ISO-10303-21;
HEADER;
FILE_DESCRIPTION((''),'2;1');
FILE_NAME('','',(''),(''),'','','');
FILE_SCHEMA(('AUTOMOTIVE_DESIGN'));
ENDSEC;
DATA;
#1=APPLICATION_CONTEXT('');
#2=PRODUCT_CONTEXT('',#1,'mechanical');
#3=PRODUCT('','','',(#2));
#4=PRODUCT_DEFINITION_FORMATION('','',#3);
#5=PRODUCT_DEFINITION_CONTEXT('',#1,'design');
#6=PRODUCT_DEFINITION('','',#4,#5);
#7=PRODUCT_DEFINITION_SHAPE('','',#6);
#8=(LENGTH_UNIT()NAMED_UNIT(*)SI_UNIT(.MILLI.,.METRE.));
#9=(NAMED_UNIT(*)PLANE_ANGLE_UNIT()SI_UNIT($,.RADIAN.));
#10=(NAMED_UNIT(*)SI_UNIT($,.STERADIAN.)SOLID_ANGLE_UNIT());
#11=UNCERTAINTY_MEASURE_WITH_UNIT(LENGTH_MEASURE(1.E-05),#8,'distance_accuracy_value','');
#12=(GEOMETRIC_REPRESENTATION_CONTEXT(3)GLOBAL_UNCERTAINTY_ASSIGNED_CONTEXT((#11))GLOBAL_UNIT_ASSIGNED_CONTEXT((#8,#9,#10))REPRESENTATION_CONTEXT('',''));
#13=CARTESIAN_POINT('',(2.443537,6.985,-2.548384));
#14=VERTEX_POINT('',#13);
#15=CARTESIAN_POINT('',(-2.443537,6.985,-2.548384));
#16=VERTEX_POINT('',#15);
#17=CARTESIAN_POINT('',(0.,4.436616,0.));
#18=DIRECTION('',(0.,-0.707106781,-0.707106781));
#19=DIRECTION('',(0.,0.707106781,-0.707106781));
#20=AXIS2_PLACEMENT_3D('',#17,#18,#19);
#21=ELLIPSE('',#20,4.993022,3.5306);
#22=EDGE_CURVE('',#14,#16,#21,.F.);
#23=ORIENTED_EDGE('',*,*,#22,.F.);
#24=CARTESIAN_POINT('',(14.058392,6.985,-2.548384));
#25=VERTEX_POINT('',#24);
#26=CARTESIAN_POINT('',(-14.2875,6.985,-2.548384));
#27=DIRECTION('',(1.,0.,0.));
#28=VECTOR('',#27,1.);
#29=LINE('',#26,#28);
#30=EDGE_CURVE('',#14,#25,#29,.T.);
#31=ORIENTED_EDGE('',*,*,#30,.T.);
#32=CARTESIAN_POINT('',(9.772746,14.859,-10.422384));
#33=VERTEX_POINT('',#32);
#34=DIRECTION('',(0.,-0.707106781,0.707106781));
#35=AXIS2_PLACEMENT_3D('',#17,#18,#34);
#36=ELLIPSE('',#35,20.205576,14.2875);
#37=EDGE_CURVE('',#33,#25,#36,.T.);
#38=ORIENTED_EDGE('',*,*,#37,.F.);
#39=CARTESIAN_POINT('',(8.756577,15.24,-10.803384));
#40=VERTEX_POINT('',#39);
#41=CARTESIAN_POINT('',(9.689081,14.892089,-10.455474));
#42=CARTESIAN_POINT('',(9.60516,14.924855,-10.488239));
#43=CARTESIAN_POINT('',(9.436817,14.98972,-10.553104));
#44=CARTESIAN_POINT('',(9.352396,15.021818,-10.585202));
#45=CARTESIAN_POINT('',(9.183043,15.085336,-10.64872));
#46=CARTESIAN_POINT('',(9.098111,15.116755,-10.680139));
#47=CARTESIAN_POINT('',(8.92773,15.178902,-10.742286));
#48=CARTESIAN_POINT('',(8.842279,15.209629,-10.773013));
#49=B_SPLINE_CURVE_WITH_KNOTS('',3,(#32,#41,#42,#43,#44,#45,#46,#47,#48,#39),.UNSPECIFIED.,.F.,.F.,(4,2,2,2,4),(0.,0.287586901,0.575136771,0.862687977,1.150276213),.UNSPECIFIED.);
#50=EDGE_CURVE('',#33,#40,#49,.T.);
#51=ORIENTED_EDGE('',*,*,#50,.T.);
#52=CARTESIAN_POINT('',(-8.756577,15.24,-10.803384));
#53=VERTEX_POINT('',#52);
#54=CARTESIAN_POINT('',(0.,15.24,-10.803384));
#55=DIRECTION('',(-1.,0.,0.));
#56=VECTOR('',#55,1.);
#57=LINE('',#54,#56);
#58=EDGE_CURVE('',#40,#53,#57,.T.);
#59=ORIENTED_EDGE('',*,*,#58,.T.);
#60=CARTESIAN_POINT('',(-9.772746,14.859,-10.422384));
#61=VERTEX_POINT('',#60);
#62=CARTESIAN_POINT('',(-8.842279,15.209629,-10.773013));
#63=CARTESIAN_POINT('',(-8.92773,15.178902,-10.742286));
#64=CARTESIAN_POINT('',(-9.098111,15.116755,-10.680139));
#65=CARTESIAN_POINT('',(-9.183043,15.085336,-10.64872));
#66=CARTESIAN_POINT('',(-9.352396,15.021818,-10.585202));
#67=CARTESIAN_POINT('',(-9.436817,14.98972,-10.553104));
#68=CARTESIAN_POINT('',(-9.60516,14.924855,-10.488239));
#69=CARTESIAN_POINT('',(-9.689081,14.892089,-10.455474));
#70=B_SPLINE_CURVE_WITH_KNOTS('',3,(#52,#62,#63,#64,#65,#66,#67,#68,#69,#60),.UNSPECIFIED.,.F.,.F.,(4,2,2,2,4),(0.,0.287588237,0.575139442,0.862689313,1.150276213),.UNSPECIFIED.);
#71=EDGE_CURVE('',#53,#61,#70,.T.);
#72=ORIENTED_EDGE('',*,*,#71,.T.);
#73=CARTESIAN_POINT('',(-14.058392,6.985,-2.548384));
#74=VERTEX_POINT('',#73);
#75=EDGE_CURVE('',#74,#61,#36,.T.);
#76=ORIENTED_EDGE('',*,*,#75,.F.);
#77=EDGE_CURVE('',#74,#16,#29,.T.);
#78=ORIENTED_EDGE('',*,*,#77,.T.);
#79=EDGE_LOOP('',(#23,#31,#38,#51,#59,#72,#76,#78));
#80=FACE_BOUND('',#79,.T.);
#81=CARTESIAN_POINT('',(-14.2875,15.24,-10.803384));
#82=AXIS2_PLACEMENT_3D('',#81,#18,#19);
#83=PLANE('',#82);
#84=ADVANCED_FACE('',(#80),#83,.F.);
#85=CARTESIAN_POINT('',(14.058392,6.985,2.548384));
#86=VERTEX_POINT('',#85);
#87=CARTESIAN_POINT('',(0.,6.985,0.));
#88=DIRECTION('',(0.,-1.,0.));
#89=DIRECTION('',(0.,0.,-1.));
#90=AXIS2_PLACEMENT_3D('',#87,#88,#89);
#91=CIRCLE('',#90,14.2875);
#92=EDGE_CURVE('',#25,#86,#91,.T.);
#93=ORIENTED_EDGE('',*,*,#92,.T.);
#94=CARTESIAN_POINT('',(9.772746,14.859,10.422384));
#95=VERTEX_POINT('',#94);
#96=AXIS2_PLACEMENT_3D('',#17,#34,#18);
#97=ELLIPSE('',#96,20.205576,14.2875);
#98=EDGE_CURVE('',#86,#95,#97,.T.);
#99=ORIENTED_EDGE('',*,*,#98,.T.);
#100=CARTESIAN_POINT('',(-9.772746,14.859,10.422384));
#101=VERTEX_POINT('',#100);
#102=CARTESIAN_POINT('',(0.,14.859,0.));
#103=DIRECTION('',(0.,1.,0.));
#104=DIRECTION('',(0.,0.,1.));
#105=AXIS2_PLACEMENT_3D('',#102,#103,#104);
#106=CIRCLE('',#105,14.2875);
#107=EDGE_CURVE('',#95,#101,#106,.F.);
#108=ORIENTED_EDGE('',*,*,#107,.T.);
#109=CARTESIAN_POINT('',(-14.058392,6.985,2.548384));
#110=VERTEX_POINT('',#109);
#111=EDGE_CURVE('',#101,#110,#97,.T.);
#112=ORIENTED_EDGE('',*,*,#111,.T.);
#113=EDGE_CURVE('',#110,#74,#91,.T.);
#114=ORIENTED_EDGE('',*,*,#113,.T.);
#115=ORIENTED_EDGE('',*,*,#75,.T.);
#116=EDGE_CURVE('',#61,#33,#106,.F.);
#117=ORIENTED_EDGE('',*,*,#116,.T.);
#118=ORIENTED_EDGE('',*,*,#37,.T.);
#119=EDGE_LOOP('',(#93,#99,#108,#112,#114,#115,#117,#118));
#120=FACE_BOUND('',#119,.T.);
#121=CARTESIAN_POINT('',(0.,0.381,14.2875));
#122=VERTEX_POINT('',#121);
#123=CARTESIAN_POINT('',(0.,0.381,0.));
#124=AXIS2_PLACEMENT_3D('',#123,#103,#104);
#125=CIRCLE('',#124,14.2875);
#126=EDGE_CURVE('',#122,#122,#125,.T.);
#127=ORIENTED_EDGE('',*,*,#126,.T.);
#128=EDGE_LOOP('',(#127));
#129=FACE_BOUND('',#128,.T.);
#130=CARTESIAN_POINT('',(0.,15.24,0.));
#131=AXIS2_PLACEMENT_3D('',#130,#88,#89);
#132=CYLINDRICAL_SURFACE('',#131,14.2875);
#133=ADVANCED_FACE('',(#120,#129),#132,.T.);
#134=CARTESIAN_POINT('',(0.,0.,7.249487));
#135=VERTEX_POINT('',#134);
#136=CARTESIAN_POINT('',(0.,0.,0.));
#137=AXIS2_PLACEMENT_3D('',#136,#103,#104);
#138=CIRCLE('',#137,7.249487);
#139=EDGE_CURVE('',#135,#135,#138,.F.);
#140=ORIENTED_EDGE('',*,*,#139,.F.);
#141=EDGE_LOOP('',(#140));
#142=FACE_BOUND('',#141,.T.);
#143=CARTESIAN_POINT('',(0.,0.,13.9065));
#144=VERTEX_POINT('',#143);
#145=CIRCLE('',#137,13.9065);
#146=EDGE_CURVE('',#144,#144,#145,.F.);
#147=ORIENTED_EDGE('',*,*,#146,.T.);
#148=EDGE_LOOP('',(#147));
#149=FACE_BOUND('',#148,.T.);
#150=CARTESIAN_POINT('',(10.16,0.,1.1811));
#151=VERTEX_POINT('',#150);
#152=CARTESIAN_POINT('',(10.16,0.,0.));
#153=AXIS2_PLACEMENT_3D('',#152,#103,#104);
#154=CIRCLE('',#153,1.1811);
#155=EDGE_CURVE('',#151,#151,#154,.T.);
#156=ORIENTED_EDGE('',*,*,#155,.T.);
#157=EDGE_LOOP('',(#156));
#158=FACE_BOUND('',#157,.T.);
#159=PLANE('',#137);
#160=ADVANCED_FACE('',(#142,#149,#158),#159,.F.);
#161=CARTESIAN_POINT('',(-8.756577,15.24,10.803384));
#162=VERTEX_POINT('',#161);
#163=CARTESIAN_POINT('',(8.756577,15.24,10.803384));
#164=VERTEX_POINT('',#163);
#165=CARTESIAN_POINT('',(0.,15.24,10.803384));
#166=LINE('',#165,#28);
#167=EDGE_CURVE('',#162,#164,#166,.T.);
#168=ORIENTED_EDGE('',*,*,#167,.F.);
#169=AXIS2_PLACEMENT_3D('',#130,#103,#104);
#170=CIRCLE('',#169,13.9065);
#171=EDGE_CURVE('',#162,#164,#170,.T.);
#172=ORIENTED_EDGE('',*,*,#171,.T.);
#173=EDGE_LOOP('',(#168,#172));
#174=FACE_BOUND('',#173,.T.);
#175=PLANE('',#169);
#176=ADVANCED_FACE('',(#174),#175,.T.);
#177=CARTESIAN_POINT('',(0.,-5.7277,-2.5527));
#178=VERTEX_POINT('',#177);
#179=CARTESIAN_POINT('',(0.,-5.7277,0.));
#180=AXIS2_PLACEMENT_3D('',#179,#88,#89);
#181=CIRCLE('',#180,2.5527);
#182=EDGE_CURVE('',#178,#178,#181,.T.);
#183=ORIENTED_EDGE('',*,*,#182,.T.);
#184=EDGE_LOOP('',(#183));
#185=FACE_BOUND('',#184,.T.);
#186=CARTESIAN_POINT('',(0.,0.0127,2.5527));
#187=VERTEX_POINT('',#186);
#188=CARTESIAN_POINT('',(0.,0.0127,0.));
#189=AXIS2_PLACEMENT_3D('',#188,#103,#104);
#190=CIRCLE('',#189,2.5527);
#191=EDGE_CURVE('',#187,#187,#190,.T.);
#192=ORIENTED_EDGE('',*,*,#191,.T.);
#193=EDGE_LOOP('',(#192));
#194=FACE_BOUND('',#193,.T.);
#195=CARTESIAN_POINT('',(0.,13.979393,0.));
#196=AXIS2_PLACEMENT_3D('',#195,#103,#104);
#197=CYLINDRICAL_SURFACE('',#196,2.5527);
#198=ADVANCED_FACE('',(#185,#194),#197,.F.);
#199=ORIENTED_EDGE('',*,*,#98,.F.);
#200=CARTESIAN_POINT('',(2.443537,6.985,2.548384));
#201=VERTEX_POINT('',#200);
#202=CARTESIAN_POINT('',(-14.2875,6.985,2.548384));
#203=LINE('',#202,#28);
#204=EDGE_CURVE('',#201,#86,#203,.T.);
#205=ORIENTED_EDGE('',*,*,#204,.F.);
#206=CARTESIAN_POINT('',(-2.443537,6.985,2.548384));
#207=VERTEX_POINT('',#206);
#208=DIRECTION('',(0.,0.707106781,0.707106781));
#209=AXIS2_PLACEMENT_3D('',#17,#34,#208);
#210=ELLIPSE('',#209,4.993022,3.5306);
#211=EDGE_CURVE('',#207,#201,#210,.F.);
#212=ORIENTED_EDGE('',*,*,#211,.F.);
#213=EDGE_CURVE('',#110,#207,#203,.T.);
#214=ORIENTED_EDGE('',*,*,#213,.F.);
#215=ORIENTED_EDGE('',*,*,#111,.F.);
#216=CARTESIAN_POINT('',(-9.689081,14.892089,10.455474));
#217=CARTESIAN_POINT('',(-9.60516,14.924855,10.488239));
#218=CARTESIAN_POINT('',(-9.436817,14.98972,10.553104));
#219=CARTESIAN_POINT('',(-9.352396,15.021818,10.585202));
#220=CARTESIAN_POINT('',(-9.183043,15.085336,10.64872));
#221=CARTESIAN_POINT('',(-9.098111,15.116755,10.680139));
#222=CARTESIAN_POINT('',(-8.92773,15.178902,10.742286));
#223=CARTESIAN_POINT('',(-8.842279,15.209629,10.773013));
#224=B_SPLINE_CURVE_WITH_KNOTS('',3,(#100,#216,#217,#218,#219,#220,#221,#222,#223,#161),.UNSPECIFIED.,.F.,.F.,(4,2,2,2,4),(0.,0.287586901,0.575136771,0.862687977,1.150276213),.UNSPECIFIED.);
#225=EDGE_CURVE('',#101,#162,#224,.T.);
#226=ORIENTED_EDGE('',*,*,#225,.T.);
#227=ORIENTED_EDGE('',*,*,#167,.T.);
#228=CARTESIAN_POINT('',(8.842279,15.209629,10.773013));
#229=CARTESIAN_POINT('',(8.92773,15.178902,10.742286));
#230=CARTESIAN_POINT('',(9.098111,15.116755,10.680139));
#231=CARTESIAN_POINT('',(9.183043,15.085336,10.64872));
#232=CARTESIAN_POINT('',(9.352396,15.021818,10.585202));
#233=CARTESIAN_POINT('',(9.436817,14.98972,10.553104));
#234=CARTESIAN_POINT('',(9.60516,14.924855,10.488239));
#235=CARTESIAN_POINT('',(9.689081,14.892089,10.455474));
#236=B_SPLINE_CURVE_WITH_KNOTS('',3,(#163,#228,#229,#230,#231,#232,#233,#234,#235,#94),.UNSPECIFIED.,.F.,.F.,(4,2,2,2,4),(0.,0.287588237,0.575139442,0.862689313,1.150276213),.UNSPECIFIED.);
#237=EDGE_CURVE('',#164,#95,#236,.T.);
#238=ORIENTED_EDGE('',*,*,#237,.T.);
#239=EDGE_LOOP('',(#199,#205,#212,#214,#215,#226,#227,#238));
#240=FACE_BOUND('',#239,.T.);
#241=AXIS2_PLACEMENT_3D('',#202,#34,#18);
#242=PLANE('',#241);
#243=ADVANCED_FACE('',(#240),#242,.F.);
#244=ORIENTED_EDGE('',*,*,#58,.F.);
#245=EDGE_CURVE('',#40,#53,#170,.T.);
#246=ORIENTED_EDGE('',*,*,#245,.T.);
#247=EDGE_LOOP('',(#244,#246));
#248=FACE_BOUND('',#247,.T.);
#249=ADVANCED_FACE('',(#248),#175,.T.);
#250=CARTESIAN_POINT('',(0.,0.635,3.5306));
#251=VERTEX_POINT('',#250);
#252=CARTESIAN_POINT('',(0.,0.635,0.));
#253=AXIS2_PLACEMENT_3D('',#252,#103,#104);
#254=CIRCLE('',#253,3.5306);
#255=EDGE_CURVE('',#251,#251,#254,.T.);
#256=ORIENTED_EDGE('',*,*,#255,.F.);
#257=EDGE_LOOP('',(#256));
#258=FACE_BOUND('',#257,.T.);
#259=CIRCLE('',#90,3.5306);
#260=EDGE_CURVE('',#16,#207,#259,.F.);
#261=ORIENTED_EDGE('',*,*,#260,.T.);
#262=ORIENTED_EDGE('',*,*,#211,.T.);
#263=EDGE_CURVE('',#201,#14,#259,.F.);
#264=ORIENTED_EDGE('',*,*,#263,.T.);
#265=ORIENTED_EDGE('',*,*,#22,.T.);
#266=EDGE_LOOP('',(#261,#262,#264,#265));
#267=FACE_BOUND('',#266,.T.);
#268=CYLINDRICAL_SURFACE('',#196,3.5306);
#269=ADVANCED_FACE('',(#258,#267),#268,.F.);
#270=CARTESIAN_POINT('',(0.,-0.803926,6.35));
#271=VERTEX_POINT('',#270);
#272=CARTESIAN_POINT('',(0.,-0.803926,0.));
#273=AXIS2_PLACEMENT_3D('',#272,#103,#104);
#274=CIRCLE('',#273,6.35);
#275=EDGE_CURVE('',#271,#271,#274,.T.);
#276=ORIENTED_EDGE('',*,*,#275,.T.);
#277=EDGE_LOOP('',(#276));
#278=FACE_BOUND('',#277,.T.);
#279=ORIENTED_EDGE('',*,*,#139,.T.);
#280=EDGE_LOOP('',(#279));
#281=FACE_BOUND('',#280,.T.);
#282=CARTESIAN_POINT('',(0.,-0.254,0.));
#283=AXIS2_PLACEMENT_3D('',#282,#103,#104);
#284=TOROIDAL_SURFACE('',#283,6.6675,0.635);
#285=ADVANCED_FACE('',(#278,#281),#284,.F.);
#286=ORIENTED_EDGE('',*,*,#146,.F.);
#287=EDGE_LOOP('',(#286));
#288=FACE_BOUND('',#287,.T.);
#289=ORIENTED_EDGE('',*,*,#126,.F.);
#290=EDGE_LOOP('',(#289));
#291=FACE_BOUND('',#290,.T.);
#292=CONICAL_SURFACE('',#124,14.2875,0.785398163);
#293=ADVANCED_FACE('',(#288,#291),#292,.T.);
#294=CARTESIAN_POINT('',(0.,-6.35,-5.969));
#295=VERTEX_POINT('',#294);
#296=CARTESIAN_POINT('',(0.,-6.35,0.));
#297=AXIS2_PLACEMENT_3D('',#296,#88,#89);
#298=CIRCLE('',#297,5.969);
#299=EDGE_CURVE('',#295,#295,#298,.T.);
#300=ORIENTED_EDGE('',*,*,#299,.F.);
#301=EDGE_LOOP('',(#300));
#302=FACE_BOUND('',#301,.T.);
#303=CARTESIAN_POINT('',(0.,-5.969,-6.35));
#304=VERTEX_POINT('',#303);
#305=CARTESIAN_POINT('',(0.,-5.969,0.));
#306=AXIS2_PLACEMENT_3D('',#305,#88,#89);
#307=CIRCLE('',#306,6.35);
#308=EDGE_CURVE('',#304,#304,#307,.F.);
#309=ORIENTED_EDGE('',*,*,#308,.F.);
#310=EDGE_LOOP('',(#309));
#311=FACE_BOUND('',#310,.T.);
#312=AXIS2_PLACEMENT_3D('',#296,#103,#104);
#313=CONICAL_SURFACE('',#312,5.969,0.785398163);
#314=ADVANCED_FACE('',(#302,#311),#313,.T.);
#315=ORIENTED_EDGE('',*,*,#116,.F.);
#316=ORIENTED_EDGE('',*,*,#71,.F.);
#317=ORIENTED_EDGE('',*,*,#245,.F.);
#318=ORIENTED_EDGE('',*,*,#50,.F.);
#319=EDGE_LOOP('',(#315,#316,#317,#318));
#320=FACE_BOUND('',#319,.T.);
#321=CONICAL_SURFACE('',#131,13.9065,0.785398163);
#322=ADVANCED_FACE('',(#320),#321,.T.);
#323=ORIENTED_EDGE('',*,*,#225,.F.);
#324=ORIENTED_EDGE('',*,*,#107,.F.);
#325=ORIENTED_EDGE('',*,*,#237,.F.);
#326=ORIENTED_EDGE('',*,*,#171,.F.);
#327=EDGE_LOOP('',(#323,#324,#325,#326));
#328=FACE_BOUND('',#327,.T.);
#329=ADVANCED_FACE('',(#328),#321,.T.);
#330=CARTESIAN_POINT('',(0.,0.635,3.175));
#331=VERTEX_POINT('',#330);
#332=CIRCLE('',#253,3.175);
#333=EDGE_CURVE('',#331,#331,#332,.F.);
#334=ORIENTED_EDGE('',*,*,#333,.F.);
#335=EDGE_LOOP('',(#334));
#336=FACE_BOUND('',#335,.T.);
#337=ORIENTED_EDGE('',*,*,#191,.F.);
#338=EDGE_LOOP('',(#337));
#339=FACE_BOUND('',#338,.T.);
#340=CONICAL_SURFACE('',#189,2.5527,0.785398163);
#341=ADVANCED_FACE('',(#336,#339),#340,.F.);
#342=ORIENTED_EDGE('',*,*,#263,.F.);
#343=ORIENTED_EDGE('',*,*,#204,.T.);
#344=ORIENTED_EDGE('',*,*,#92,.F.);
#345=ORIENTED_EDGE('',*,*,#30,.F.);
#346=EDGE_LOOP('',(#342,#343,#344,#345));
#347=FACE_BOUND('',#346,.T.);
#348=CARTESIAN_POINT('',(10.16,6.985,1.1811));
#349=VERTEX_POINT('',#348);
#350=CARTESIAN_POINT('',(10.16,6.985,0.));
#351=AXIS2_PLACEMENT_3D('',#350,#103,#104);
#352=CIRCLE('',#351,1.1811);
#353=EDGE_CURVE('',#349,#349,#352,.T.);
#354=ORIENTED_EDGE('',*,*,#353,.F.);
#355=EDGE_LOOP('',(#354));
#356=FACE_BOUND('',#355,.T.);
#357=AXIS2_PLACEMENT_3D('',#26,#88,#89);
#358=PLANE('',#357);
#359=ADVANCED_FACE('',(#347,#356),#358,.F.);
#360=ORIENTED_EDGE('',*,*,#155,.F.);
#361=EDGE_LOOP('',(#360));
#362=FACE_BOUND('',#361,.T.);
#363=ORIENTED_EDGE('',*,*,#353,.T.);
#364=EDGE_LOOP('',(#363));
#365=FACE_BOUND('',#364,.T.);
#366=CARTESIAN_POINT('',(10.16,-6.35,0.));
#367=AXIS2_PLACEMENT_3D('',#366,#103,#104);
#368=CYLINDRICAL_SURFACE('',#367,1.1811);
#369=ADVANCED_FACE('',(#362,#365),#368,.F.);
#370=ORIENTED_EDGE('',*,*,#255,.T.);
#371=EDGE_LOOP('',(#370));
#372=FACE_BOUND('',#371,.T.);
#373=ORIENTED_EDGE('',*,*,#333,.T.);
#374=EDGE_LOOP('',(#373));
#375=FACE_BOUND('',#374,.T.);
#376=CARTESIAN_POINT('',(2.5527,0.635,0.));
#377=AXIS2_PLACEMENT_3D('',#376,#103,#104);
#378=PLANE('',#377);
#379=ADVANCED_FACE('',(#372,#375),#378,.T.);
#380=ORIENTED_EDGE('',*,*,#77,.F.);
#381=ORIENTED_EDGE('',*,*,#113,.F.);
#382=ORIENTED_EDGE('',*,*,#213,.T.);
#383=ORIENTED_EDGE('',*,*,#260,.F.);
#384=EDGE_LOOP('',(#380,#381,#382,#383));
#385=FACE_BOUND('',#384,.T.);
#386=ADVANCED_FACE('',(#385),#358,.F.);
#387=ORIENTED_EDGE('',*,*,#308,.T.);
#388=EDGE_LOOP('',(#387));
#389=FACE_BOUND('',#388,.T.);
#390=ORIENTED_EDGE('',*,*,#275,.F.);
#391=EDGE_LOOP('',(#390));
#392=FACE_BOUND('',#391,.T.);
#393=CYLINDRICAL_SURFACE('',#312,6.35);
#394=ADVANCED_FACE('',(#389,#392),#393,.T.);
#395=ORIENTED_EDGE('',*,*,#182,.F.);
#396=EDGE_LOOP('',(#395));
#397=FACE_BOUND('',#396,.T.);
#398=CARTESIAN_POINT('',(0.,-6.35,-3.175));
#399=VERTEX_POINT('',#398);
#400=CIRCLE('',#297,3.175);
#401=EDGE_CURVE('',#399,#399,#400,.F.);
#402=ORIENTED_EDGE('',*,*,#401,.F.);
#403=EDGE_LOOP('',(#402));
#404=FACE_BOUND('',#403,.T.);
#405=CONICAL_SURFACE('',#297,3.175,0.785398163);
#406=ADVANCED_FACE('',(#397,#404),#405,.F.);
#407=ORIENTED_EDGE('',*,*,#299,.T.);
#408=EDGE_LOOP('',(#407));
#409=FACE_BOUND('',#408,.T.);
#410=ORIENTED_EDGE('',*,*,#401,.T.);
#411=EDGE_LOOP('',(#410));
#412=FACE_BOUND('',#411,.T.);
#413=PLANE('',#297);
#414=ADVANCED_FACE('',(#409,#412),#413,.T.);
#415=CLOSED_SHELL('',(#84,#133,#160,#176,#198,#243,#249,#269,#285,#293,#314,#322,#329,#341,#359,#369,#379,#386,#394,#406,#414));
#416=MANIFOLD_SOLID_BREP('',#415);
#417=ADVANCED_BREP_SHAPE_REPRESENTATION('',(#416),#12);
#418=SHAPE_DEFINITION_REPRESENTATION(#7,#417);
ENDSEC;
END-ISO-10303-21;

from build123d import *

# Parameters (mm, degrees)
SKETCH1_R               = 14.2875
EXTRUDE1_DEPTH          = 15.24
CUT_EXTRUDE1_DEPTH      = 15.2875
CUT_EXTRUDE1_DEPTH_BACK = 15.2875
SKETCH6_R               = 6.35
EXTRUDE2_DEPTH          = 6.35
CHAMFER1_SIZE           = 0.6223
CHAMFER2_SIZE           = 0.381
SKETCH8_R               = 0.635
SKETCH9_R               = 1.1811
CUT_EXTRUDE2_DEPTH      = 14.335


with BuildPart() as part:
    # Sketch1 → Extrude1 (new body)
    with BuildSketch(Plane(origin=(0, 0, 0), x_dir=(1, 0, 0), z_dir=(0, 1, 0))):
        with Locations(Location((0, 0, 0), (0, 0, 270))):  # turned: the seam where the file's is
            Circle(SKETCH1_R)
    extrude(amount=EXTRUDE1_DEPTH)

    # Sketch3 → Cut-Extrude1 (cut, two sides)
    with BuildSketch(Plane(origin=(0, 0, 0), x_dir=(0, 0, -1), z_dir=(1, 0, 0))) as cut_extrude1_sk:
        Polygon((-10.803384182, 15.24), (10.803384182, 15.24), (2.548384182, 6.985), (-2.548384182, 6.985), align=None)
    extrude(amount=CUT_EXTRUDE1_DEPTH, mode=Mode.SUBTRACT)
    extrude(cut_extrude1_sk.sketch, amount=-CUT_EXTRUDE1_DEPTH_BACK, mode=Mode.SUBTRACT)

    # Sketch6 → Extrude2 (add)
    with BuildSketch(Plane.XZ):
        with Locations(Location((0, 0, 0), (0, 0, 90))):  # turned: the seam where the file's is
            Circle(SKETCH6_R)
    extrude(amount=EXTRUDE2_DEPTH)

    # Sketch7 → Cut-Revolve1 (revolve, cut)
    with BuildSketch(Plane.XY, mode=Mode.PRIVATE) as cut_revolve1_sk:
        Polygon((0, -6.35), (2.5527, -6.35), (2.5527, 0.635), (3.5306, 0.635), (3.5306, 6.985), (3.5306, 15.24), (0, 15.24), (0, 6.985), align=None)
    revolve(cut_revolve1_sk.sketch.rotate(Axis((0, 13.979393491, 0), (0, -1, 0)), 90), axis=Axis((0, 13.979393491, 0), (0, -1, 0)), mode=Mode.SUBTRACT)  # turned: the seam where the file's is

    # Chamfer1
    chamfer1_edges = [part.edges().sort_by_distance(p)[0] for p in [
        (0, -6.35, -2.5527),
        (0, 0.635, -2.5527),
    ]]
    chamfer(chamfer1_edges, length=CHAMFER1_SIZE)

    # Chamfer2
    chamfer2_edges = [part.edges().sort_by_distance(p)[0] for p in [
        (0, 15.24, -14.2875),
        (-4.988953034, 15.24, 13.388166561),
        (0, 0, -14.2875),
        (0, -6.35, -6.35),
    ]]
    chamfer(chamfer2_edges, length=CHAMFER2_SIZE)

    # Sketch8 → Cut-Revolve2 (revolve, cut)
    with BuildSketch(Plane.XY, mode=Mode.PRIVATE) as cut_revolve2_sk:
        with Locations((6.6675, -0.254)):
            Circle(SKETCH8_R)
    revolve(cut_revolve2_sk.sketch.rotate(Axis((0, 0, 0), (0, -1, 0)), 90), axis=Axis((0, 0, 0), (0, -1, 0)), mode=Mode.SUBTRACT)  # turned: the seam where the file's is

    # Sketch9 → Cut-Extrude2 (cut, through all)
    with BuildSketch(Plane(origin=(0, 6.985, 0), x_dir=(-1, 0, 0), z_dir=(0, 1, 0))):
        with Locations(Location((-10.16, 0, 0), (0, 0, 90))):  # turned: the seam where the file's is
            Circle(SKETCH9_R)
    extrude(amount=-CUT_EXTRUDE2_DEPTH, mode=Mode.SUBTRACT)


solid = part.part
